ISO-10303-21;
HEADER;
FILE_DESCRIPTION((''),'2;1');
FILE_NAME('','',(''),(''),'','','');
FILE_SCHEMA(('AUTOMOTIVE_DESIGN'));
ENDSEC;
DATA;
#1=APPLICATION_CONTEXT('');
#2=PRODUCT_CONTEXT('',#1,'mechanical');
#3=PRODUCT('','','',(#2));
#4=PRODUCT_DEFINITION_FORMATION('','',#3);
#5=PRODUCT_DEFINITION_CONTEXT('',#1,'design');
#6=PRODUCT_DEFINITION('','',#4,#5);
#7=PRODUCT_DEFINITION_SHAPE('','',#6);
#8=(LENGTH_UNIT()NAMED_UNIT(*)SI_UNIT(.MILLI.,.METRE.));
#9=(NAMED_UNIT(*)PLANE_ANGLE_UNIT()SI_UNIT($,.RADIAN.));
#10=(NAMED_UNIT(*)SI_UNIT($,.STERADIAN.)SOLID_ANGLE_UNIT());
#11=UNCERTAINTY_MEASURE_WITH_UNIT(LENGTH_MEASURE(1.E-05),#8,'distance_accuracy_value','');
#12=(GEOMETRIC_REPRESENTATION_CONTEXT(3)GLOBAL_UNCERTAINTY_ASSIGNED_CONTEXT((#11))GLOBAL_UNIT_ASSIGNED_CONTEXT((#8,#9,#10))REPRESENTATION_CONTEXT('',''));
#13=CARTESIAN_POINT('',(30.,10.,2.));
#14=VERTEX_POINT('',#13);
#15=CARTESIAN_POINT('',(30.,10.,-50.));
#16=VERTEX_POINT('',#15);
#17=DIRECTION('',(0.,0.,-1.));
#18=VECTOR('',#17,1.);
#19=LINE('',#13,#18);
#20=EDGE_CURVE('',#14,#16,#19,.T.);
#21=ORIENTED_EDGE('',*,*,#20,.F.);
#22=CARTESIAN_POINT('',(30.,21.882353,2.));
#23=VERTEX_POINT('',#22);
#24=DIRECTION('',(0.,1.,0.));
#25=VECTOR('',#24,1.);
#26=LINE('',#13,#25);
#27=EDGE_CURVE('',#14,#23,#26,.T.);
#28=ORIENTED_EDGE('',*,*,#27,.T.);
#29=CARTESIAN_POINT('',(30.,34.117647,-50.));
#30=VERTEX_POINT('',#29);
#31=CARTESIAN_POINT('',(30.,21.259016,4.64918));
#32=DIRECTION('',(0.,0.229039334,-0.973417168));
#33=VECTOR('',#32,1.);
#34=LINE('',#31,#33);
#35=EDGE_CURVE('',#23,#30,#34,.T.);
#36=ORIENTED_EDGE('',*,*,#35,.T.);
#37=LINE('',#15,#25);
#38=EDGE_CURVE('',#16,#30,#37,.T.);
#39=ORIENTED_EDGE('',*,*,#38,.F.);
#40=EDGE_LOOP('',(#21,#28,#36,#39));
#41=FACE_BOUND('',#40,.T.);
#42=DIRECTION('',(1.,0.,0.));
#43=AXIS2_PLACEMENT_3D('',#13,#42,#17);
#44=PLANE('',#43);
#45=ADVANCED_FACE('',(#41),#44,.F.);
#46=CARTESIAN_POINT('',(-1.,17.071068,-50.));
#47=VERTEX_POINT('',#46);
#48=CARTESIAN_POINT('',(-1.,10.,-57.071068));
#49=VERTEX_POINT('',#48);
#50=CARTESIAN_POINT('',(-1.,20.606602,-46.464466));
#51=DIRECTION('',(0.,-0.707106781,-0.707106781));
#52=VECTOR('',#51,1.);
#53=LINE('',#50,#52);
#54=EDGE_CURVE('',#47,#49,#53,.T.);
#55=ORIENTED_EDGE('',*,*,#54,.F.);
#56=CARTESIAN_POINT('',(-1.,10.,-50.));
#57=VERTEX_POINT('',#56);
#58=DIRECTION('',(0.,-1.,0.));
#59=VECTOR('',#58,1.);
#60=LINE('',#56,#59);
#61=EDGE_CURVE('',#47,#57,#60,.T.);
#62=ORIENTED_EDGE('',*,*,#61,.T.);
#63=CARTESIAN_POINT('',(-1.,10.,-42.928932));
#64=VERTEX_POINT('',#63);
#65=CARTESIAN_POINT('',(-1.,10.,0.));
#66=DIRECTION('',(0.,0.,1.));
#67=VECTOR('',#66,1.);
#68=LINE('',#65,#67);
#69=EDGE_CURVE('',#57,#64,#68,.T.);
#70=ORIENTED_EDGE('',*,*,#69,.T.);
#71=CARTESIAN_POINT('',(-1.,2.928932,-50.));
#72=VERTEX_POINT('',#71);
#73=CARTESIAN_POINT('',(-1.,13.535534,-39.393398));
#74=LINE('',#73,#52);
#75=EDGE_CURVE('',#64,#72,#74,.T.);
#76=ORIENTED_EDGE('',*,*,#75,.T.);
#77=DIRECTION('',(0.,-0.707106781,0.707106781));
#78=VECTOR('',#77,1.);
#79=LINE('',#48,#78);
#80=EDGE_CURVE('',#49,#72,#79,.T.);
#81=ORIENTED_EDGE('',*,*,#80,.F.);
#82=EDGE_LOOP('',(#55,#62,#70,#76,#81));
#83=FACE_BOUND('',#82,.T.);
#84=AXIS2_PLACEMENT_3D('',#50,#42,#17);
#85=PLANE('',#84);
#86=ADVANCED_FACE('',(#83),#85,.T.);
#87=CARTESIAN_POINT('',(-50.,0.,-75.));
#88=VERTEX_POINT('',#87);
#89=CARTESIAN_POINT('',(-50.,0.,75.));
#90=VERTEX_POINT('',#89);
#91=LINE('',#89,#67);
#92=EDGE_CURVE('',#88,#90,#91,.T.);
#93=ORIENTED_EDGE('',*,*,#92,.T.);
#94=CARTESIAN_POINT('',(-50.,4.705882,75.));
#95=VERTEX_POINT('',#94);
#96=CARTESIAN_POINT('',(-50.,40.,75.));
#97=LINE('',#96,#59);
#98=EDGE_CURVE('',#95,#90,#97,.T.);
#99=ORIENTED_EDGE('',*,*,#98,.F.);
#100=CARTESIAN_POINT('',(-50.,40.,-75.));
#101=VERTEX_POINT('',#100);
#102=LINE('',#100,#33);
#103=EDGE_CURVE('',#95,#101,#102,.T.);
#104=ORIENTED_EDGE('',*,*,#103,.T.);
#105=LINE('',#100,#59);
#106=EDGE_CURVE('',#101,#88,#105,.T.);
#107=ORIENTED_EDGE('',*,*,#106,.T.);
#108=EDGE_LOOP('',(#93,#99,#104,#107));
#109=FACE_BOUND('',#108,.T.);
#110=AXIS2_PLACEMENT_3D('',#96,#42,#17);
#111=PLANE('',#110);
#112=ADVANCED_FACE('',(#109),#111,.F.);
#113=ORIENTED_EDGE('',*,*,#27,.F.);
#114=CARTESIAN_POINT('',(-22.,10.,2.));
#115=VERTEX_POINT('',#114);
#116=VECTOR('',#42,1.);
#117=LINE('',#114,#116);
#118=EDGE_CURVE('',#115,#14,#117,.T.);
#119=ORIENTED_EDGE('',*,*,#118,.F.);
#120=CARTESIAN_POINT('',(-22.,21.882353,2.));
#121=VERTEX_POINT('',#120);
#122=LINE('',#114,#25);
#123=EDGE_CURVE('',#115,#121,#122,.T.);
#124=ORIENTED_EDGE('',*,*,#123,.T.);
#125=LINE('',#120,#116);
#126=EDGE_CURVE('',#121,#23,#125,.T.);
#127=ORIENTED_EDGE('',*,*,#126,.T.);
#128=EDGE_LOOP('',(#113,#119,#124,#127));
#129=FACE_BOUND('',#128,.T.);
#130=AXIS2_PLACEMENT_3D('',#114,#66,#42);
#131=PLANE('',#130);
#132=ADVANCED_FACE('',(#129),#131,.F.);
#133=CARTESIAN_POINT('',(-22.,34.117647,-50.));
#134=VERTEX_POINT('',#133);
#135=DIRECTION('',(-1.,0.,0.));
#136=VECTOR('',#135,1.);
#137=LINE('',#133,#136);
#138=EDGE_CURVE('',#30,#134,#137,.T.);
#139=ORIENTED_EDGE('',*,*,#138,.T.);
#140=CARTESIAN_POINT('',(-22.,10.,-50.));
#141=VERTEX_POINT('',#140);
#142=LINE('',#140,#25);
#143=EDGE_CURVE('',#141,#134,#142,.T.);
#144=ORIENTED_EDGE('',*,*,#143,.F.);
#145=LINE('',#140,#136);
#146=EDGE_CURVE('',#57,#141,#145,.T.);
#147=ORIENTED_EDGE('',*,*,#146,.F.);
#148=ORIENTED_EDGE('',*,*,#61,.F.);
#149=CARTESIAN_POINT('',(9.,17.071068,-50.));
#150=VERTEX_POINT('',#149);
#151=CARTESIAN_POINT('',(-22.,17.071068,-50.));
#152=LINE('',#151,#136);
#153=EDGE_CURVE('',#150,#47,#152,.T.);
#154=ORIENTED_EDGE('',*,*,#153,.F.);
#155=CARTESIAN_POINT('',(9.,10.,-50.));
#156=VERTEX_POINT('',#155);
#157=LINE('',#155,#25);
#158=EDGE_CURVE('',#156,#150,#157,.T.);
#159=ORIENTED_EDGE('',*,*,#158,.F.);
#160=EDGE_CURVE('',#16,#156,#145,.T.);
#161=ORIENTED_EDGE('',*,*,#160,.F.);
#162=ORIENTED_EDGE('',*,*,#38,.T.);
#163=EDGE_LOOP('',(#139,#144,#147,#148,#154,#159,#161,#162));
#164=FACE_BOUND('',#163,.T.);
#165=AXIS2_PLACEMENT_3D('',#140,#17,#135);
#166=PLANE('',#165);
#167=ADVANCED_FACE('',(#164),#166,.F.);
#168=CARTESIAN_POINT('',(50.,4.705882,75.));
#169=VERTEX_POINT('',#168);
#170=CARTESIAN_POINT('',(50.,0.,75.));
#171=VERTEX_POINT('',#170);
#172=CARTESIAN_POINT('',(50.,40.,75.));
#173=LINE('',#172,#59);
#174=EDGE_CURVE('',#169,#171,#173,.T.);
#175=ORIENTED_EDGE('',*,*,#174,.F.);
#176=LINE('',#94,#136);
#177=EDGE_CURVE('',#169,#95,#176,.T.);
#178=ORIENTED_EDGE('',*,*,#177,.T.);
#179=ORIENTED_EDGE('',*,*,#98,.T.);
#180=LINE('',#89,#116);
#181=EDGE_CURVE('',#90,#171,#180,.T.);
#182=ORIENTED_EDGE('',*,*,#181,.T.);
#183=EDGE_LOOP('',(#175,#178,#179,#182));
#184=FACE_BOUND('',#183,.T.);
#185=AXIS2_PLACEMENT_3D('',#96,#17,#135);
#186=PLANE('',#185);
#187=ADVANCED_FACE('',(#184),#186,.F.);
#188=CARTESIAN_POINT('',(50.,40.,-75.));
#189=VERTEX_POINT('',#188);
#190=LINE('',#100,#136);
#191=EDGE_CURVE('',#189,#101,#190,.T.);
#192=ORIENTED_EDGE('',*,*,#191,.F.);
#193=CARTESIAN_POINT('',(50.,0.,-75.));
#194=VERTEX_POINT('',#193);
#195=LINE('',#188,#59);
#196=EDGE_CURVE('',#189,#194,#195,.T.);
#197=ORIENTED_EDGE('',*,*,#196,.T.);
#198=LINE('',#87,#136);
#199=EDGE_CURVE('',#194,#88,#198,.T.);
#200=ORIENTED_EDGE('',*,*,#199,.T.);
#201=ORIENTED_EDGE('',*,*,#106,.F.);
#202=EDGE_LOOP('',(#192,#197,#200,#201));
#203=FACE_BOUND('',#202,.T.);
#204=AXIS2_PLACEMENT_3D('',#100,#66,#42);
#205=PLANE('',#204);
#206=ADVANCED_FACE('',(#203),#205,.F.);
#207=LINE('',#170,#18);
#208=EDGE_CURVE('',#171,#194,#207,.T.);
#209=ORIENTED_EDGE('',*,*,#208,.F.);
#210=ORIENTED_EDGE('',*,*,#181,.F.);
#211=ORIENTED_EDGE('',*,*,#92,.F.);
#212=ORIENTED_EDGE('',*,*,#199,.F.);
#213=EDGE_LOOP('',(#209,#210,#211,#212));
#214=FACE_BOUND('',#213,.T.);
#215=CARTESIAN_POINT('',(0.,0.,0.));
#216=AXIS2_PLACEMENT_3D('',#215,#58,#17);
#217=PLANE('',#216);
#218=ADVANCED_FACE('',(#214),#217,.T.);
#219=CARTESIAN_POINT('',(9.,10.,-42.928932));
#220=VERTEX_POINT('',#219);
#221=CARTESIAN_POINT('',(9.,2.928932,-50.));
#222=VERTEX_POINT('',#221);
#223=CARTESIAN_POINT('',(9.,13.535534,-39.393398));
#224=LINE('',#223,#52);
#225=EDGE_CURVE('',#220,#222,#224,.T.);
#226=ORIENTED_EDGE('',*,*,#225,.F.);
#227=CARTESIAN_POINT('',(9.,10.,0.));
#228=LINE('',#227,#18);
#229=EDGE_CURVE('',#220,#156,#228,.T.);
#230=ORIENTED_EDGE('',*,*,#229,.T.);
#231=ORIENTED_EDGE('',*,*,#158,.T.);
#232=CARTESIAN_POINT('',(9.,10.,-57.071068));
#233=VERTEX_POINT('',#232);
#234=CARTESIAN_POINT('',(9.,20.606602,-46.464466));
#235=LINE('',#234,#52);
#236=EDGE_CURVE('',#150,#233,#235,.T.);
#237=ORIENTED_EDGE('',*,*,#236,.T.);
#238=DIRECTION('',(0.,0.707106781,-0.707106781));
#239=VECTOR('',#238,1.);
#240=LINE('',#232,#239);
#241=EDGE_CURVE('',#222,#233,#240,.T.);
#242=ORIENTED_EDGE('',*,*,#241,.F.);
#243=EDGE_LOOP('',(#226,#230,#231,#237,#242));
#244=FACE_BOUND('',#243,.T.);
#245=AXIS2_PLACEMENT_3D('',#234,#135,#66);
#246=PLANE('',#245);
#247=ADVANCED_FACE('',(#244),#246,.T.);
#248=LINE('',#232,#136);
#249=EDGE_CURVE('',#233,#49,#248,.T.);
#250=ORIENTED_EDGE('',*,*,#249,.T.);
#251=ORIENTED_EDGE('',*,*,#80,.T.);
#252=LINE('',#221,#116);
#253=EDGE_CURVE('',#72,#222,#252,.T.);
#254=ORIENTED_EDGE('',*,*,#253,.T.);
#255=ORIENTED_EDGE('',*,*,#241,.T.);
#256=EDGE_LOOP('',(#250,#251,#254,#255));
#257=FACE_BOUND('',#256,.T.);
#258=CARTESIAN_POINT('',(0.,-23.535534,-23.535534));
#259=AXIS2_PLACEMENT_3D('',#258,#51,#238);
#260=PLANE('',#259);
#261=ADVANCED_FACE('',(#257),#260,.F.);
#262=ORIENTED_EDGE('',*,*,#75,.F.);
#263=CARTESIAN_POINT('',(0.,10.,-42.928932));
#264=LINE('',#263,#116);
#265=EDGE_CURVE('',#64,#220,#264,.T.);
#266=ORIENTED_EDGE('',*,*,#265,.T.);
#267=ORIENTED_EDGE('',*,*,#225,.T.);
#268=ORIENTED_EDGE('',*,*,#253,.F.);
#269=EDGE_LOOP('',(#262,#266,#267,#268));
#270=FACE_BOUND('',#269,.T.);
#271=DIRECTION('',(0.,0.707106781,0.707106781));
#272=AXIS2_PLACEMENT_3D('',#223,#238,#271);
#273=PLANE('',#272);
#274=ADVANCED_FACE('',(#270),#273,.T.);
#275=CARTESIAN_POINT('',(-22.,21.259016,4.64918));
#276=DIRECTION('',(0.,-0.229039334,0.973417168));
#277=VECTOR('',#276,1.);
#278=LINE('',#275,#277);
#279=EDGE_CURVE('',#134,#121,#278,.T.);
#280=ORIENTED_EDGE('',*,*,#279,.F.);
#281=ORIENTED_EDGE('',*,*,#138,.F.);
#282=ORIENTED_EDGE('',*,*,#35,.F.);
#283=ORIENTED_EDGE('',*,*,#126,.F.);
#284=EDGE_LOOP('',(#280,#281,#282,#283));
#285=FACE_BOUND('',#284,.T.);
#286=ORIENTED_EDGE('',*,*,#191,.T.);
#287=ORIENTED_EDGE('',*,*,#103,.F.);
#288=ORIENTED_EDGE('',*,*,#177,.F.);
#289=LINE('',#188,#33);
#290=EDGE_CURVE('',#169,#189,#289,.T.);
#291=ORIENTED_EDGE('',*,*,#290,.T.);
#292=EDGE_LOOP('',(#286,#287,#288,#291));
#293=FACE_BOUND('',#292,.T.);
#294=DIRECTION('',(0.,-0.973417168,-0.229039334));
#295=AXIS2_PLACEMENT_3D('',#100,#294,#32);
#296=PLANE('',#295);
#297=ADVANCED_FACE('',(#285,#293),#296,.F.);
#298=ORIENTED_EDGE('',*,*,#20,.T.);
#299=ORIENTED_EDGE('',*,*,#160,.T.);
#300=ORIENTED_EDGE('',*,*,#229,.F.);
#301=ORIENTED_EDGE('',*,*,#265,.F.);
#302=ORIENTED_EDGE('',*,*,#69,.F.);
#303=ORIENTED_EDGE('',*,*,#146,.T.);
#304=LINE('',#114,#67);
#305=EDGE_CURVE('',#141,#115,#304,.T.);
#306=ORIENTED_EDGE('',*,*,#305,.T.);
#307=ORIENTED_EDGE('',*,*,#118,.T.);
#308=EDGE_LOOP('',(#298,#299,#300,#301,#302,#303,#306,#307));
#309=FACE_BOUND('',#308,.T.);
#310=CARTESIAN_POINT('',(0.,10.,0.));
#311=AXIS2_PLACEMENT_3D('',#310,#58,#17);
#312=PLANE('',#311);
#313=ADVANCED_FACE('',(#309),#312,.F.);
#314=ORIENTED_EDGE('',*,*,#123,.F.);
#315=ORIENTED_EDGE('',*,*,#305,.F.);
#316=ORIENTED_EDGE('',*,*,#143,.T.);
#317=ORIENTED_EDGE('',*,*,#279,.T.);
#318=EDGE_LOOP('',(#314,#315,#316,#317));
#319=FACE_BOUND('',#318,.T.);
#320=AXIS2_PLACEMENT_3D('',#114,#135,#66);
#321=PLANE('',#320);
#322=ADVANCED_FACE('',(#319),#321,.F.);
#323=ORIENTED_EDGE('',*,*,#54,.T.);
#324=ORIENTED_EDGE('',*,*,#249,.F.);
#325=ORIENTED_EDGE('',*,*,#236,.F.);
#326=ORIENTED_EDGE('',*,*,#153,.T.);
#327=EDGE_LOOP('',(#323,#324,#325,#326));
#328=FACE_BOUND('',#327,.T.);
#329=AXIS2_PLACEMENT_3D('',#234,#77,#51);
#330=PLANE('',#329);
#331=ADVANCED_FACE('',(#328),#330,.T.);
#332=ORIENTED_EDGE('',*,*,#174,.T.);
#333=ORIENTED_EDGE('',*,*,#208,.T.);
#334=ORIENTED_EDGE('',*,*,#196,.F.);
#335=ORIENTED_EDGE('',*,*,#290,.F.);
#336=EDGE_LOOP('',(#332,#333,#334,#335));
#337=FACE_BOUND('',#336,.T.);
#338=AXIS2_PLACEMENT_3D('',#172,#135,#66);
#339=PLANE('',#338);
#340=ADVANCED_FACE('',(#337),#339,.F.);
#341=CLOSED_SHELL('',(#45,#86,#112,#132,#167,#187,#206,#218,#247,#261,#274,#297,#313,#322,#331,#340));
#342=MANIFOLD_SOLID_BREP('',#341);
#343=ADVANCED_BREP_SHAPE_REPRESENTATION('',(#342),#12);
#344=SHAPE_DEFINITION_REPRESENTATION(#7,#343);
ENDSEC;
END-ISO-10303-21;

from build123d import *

# Parameters (mm, degrees)
SKETCH1_W               = 100
SKETCH1_H               = 150
BOSS_EXTRUDE1_DEPTH     = 40
SKETCH3_W               = 52
SKETCH3_H               = 52
CUT_EXTRUDE2_DEPTH      = 30
CUT_EXTRUDE1_DEPTH      = 132.244047484
CUT_EXTRUDE5_DEPTH      = 10
CUT_EXTRUDE5_DEPTH_BACK = 5
SKETCH4_W               = 10
SKETCH4_H               = 10


with BuildPart() as part:
    # Sketch1 → Boss-Extrude1 (new body)
    with BuildSketch(Plane(origin=(0, 0, 0), x_dir=(1, 0, 0), z_dir=(0, 1, 0))):
        Rectangle(SKETCH1_W, SKETCH1_H)
    extrude(amount=BOSS_EXTRUDE1_DEPTH)

    # Sketch3 → Cut-Extrude2 (cut)
    with BuildSketch(Plane(origin=(0, 40, 0), x_dir=(1, 0, 0), z_dir=(0, 1, 0))):
        with Locations((4, 24)):
            Rectangle(SKETCH3_W, SKETCH3_H)
    extrude(amount=-CUT_EXTRUDE2_DEPTH, mode=Mode.SUBTRACT)

    # Sketch2 → Cut-Extrude1 (cut, through all)
    with BuildSketch(Plane(origin=(50, 0, 0), x_dir=(0, 0, -1), z_dir=(1, 0, 0))):
        Polygon((75, 40), (-95, 0), (-95, 40), align=None)
    extrude(amount=-CUT_EXTRUDE1_DEPTH, mode=Mode.SUBTRACT)

    # Sketch4 → Cut-Extrude5 (cut, two sides: drawn at the far end of the back side and taken through both)
    with BuildSketch(Plane(origin=(0, -20, -20), x_dir=(-1, 0, 0), z_dir=(0, 0.7071067811865477, 0.7071067811865475)).offset(-CUT_EXTRUDE5_DEPTH_BACK)):
        with Locations((-4, -42.426406871)):
            Rectangle(SKETCH4_W, SKETCH4_H)
    extrude(amount=CUT_EXTRUDE5_DEPTH + CUT_EXTRUDE5_DEPTH_BACK, mode=Mode.SUBTRACT)


solid = part.part
